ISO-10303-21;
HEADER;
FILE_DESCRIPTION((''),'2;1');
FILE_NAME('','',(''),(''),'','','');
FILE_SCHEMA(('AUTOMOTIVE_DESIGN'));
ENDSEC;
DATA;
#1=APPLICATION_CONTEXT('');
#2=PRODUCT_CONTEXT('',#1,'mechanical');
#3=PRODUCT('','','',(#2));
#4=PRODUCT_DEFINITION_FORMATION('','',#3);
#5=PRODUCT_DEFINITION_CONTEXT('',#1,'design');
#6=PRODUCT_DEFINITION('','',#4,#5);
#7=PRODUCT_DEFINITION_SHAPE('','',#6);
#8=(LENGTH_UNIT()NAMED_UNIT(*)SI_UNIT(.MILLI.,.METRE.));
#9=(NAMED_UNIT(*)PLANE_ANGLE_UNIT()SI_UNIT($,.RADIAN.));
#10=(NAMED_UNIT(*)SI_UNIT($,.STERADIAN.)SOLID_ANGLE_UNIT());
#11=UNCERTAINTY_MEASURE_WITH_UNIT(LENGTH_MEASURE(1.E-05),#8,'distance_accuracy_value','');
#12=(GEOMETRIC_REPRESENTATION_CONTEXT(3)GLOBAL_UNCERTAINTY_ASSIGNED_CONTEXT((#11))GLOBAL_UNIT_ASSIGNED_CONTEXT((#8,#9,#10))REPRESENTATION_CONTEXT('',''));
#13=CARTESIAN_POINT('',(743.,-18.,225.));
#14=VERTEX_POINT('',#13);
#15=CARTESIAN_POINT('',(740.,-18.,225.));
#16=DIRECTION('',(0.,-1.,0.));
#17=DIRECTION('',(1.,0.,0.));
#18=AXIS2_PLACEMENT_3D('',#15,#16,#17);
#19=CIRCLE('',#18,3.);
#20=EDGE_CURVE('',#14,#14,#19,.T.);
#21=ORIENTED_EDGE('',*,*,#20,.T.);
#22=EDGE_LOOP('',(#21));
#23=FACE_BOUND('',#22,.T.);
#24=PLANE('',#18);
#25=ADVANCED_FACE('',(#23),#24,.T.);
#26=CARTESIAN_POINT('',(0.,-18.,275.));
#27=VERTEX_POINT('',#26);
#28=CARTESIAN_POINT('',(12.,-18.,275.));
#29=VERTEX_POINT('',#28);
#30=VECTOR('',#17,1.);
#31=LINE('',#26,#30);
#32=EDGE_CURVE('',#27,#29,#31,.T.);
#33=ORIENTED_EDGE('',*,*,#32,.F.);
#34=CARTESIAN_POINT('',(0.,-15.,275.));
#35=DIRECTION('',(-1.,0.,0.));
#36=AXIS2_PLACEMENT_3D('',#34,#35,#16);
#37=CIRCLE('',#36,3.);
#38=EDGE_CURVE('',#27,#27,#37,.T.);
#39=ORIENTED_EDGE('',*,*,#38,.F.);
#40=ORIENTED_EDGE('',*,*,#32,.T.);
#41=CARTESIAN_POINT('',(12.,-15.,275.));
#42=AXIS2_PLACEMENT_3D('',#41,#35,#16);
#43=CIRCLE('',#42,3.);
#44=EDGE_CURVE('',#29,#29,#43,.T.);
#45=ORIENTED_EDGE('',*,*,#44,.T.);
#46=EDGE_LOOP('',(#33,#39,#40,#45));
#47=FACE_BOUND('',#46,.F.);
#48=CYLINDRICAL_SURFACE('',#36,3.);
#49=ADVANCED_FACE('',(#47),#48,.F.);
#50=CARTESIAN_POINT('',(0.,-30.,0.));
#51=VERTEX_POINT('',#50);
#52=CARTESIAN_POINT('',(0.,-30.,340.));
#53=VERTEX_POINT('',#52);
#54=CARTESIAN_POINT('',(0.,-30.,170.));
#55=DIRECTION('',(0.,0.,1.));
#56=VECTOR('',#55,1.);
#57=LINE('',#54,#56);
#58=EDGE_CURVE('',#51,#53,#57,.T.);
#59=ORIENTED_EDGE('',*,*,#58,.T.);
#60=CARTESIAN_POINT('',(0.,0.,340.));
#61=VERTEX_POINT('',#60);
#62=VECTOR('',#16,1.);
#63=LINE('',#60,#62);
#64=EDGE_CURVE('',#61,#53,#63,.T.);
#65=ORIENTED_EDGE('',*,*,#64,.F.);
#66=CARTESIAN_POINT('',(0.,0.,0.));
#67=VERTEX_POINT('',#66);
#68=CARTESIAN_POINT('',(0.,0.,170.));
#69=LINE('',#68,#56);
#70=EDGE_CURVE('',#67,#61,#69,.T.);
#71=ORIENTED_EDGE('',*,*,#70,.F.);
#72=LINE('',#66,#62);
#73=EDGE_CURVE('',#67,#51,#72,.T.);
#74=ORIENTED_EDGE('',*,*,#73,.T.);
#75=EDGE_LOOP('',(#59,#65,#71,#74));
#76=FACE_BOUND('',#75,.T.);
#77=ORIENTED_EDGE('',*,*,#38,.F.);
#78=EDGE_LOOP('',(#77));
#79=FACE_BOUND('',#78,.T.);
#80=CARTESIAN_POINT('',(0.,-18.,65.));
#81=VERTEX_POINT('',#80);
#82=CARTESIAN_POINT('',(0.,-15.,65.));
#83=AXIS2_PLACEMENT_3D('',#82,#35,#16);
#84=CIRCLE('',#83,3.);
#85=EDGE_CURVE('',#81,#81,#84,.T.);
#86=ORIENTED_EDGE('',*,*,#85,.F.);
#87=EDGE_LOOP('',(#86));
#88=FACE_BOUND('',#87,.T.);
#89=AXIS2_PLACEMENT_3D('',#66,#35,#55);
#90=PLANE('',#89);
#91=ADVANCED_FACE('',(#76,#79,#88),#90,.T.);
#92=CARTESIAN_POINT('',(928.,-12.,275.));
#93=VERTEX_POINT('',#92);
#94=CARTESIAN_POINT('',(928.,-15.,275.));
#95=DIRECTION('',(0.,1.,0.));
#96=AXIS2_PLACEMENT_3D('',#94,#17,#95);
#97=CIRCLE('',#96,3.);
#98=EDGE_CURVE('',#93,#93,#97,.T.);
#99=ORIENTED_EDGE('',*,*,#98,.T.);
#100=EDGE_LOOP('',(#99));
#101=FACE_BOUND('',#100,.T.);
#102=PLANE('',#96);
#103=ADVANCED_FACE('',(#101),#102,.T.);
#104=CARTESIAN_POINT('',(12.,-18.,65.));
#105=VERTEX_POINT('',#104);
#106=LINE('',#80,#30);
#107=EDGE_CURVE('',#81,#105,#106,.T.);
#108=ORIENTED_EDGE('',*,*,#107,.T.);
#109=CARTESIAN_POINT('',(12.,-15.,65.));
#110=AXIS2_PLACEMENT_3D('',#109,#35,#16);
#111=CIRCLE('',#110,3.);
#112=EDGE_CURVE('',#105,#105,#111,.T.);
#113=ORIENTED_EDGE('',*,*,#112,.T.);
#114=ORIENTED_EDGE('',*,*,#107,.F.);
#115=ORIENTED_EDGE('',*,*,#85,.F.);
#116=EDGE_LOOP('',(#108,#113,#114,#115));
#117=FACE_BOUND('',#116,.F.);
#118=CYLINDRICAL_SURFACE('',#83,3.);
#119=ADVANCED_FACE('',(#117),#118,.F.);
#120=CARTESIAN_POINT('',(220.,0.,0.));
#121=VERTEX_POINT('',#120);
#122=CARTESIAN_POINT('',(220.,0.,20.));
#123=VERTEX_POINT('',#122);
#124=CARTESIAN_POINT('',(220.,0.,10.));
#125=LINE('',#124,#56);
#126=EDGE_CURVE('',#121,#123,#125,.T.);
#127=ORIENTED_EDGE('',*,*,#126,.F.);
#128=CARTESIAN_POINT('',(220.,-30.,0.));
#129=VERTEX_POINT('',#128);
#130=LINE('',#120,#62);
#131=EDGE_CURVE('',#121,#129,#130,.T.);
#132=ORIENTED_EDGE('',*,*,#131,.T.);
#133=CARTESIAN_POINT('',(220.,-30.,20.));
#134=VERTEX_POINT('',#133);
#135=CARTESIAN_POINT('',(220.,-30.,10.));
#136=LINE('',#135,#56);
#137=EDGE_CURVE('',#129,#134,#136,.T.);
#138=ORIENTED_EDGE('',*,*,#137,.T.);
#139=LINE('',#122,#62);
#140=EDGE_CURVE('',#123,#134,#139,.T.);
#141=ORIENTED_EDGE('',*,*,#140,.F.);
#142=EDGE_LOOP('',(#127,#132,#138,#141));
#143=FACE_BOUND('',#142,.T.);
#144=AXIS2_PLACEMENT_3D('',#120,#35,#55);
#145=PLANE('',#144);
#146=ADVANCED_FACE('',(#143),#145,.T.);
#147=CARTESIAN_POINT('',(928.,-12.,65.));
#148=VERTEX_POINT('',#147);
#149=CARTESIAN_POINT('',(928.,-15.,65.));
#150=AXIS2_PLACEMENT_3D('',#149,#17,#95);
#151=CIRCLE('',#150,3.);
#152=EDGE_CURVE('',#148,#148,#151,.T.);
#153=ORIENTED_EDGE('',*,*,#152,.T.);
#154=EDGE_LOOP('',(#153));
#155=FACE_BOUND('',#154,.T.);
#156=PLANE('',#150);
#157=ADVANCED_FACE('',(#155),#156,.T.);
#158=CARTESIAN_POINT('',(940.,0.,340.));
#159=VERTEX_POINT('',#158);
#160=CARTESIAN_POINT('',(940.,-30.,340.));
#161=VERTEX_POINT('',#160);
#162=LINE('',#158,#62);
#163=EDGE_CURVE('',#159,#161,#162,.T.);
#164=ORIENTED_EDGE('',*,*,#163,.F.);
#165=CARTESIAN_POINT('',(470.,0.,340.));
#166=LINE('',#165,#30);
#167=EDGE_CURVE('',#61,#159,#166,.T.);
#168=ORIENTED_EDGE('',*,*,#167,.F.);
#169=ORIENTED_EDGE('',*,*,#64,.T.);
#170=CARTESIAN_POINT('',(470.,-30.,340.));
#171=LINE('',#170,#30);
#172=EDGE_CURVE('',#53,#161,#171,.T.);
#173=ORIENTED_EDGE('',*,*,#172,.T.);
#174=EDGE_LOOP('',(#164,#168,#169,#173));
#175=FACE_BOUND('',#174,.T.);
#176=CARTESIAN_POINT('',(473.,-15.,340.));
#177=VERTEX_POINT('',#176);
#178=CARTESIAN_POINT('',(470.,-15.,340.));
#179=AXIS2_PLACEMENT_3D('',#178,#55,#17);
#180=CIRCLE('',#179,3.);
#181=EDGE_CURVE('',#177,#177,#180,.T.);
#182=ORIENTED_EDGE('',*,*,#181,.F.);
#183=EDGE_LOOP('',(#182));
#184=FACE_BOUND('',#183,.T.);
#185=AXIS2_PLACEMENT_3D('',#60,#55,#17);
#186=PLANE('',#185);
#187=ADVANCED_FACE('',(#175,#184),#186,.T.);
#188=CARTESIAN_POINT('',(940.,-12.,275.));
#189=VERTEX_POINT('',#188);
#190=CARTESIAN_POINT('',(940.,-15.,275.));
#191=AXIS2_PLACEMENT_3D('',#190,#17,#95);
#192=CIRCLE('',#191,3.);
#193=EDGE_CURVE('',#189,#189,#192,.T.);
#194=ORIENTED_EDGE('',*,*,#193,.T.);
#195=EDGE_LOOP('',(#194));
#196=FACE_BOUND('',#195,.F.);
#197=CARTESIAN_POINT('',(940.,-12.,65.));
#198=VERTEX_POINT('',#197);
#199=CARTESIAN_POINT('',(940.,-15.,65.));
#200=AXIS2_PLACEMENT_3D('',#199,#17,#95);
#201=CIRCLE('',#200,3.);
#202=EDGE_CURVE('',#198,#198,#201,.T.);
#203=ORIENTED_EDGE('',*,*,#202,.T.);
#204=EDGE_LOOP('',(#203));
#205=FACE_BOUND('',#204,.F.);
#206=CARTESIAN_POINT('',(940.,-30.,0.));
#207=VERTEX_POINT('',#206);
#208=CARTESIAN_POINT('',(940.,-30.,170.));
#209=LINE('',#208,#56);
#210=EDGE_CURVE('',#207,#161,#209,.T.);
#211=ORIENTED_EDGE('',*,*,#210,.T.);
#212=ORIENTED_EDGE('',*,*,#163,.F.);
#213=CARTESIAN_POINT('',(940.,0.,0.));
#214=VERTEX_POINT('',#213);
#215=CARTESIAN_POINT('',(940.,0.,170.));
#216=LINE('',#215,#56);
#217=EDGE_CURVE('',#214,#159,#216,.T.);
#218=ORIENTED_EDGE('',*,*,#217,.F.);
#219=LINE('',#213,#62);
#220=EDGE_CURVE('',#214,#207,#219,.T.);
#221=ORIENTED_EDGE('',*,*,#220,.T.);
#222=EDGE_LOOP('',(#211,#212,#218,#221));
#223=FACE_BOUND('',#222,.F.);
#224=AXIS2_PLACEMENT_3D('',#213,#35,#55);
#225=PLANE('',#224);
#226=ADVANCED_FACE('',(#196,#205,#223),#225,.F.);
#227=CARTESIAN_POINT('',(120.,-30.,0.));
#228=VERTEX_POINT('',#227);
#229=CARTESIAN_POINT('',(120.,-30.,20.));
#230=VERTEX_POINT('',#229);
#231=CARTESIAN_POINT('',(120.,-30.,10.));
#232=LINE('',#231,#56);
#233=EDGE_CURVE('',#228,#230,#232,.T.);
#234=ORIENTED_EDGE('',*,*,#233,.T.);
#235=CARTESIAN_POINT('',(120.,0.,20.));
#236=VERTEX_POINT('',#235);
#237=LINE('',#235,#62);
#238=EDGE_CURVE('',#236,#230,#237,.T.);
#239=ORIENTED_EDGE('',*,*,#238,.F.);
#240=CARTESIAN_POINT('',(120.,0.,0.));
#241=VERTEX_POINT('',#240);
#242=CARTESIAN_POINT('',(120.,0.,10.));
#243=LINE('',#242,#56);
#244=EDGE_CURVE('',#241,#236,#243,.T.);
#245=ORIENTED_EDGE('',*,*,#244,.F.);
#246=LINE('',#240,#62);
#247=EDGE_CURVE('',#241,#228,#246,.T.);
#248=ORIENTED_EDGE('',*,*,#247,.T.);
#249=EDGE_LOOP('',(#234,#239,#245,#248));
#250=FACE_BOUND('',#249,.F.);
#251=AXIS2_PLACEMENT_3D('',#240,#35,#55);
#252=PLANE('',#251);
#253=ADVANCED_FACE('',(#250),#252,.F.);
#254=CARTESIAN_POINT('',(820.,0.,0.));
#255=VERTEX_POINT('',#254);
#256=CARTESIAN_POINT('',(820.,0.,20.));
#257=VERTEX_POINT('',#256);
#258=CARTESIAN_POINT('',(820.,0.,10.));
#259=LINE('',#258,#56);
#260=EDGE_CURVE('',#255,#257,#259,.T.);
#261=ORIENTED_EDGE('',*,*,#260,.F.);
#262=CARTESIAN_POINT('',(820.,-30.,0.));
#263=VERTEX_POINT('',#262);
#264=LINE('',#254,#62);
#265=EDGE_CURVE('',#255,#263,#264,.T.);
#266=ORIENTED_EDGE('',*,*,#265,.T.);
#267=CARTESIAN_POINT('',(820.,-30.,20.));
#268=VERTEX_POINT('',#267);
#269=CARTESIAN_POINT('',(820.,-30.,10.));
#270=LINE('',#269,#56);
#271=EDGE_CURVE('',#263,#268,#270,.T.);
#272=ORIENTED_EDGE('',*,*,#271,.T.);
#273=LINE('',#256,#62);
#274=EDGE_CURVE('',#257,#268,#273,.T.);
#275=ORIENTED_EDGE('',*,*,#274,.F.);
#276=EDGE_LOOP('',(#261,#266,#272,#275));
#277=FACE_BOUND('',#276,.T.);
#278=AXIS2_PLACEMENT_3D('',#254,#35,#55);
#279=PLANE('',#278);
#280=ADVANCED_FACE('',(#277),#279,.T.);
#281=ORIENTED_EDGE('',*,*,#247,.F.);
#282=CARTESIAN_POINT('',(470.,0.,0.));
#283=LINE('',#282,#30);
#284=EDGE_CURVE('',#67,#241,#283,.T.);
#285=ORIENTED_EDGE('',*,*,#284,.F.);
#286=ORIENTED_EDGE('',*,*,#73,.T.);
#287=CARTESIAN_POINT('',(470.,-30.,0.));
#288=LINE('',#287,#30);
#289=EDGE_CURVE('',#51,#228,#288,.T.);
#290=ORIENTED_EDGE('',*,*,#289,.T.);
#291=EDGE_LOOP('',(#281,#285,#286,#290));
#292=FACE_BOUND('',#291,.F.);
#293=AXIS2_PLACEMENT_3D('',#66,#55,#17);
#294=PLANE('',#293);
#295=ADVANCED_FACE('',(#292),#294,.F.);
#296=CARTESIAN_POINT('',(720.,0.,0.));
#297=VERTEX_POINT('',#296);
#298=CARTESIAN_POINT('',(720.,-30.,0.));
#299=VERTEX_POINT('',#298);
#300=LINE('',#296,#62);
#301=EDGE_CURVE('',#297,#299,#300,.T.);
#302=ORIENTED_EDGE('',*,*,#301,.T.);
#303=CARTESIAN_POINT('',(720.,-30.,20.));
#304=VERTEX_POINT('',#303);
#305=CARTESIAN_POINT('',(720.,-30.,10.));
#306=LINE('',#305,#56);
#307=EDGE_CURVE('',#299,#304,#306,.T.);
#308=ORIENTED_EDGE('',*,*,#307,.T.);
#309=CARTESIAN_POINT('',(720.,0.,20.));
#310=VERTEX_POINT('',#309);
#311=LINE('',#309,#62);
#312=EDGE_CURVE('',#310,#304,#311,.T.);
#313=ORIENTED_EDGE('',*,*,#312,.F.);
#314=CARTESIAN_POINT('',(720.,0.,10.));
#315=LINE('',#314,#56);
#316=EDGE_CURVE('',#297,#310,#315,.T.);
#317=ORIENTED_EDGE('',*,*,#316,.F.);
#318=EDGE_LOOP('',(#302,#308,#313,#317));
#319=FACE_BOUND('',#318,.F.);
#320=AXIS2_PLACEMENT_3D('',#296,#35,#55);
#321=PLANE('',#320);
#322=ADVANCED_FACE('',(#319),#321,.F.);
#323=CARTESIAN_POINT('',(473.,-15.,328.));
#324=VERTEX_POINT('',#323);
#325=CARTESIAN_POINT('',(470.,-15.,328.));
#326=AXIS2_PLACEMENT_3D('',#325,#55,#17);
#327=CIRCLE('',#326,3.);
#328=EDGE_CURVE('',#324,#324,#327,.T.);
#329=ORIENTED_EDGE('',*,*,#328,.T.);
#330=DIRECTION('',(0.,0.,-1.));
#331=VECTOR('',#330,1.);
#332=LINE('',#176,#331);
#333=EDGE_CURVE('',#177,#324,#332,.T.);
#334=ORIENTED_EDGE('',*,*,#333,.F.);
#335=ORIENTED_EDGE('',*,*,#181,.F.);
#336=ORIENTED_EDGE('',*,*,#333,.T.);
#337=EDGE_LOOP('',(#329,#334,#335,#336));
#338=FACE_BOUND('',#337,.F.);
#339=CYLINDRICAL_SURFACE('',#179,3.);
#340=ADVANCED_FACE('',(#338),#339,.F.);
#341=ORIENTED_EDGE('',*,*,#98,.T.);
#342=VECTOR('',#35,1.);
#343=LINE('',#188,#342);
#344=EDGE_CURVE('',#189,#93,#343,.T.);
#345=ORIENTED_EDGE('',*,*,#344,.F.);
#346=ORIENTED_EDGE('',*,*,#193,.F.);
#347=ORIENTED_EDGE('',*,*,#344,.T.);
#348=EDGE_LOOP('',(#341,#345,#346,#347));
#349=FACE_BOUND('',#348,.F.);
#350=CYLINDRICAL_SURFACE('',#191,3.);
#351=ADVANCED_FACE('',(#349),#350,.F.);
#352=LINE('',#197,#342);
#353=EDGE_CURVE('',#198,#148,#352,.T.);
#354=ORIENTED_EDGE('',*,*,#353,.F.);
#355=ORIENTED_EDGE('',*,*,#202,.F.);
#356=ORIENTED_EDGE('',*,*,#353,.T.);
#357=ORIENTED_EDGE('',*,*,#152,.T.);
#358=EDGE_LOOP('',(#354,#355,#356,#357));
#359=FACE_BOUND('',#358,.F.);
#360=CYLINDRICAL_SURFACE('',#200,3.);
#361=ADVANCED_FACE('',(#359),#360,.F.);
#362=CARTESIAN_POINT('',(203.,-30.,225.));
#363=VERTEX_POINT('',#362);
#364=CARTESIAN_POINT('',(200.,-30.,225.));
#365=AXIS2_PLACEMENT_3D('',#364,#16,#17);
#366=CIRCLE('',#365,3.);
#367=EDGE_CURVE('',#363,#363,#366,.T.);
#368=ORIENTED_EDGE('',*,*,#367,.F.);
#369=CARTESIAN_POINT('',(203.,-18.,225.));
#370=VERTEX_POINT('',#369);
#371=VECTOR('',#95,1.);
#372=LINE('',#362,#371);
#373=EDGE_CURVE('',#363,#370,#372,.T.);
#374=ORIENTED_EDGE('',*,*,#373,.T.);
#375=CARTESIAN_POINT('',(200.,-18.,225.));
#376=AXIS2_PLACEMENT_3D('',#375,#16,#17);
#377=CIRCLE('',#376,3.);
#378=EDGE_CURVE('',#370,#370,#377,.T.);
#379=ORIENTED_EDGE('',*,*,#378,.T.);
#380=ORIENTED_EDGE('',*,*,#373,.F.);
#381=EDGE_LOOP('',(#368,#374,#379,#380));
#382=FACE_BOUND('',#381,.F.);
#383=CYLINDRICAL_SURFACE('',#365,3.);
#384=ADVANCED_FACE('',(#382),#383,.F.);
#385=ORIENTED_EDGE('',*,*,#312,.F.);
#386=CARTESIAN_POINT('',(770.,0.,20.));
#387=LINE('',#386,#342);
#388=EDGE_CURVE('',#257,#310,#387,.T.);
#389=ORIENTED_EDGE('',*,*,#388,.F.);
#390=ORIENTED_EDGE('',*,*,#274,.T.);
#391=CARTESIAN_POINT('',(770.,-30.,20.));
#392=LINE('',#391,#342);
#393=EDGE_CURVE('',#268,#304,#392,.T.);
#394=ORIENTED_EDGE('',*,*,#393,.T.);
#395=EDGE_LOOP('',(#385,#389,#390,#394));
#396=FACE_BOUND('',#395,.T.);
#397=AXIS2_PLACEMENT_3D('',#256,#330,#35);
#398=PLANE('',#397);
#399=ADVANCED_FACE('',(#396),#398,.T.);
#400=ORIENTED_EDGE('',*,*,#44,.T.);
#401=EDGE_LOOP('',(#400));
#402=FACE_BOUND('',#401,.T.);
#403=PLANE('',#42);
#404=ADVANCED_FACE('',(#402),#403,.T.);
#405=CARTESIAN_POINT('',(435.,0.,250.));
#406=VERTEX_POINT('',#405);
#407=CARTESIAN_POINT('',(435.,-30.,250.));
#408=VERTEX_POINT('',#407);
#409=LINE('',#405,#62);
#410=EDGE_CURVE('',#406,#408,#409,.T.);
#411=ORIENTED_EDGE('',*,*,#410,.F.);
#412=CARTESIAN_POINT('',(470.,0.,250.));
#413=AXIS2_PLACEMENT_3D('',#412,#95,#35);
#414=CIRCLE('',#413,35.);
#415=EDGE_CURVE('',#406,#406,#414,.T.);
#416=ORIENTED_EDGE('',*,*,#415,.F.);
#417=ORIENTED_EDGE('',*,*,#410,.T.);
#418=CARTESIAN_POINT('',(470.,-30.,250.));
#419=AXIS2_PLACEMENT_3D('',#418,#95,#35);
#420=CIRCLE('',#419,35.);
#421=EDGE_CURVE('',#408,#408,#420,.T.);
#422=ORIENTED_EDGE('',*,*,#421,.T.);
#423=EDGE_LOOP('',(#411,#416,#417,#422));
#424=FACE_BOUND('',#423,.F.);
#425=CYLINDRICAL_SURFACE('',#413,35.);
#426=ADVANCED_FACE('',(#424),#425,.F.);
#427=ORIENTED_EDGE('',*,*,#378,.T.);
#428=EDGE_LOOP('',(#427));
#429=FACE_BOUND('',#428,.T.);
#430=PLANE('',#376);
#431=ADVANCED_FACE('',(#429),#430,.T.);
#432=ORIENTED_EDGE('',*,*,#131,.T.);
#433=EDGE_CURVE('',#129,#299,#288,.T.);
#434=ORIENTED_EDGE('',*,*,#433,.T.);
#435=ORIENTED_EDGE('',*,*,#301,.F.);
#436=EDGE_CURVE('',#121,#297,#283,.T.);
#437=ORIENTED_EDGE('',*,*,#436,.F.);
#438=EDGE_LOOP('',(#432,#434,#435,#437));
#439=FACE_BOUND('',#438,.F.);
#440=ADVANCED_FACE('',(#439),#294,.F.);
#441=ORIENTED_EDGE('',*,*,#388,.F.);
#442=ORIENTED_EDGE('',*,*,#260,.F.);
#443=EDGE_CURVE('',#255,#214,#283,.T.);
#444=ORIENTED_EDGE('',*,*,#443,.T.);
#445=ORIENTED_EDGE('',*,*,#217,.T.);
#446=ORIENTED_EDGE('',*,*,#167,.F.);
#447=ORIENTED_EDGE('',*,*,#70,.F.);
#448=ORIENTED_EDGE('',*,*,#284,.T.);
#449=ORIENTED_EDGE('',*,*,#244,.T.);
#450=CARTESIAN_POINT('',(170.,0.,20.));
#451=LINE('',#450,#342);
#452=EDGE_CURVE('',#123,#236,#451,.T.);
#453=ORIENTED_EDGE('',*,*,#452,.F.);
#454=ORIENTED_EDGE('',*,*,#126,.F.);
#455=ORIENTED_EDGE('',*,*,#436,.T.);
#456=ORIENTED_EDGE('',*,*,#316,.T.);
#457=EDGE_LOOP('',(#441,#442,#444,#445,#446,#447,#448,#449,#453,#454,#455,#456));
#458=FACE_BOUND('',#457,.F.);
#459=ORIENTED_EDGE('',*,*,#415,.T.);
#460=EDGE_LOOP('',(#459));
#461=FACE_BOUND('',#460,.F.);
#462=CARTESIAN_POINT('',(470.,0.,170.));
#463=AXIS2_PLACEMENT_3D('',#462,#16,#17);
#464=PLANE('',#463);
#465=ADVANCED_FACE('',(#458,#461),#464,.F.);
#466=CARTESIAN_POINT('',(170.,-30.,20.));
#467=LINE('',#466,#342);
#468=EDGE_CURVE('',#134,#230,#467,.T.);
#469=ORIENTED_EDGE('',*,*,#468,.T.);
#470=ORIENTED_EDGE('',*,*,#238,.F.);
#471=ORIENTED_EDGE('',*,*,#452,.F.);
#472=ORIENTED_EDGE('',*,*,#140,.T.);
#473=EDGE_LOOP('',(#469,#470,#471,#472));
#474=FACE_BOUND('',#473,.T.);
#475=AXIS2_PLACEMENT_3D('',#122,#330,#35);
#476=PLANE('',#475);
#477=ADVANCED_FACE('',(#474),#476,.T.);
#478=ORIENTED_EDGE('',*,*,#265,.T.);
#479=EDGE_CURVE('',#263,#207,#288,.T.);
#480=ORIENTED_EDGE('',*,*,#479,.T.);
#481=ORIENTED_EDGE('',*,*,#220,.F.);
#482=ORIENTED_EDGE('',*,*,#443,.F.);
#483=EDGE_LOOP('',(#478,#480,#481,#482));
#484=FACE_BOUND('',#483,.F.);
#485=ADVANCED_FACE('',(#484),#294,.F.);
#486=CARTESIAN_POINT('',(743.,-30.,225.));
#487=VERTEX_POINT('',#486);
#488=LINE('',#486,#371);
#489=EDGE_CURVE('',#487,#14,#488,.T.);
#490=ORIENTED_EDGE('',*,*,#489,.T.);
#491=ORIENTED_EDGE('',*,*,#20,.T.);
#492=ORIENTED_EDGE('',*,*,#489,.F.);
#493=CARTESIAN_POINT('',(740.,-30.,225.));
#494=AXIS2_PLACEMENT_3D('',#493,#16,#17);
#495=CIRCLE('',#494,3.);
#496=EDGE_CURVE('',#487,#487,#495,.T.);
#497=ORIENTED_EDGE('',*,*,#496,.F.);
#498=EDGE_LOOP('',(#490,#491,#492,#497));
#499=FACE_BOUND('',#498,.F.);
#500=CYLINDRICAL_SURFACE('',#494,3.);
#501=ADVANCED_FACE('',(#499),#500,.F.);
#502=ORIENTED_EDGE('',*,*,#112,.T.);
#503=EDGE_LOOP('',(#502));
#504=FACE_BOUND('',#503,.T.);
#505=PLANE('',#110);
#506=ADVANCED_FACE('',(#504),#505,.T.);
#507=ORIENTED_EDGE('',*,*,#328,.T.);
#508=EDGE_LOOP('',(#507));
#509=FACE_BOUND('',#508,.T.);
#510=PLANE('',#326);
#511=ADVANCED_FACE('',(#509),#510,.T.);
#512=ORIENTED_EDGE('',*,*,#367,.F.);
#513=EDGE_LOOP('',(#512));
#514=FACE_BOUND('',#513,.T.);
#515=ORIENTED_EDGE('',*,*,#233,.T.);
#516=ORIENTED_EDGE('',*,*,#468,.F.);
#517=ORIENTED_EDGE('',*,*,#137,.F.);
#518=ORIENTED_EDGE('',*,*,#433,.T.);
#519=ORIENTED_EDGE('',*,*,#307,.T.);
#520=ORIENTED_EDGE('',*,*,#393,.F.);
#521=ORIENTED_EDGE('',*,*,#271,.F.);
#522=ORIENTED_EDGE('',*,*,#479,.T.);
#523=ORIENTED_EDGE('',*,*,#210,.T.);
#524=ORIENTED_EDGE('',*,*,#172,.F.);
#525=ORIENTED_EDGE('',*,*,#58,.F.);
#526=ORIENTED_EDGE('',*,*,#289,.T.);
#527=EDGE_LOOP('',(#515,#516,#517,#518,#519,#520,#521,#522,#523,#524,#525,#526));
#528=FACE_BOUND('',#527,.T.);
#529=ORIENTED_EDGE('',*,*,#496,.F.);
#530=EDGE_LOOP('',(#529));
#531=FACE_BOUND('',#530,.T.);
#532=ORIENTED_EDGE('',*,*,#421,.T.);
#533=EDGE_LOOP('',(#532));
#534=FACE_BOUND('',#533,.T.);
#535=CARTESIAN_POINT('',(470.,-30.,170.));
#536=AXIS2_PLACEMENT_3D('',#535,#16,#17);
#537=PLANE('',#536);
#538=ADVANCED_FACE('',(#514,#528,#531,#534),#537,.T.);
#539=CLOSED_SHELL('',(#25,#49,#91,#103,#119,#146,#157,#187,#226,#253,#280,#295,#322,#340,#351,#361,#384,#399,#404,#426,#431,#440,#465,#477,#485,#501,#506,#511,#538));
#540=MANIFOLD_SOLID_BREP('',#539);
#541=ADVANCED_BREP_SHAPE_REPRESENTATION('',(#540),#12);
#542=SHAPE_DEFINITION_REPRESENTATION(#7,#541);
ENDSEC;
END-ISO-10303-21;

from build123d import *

# Parameters (mm, degrees)
F0_W      = 940
F0_H      = 340
F1_DEPTH  = 30
F2_R      = 3
F3_DEPTH  = 12
F4_W      = 100
F4_H      = 20
F5_DEPTH  = 30
F6_W      = 100
F6_H      = 20
F7_DEPTH  = 30
F8_R      = 35
F9_DEPTH  = 30
F11_R     = 3
F12_DEPTH = 12
F13_R     = 3
F14_DEPTH = 12
F15_R     = 3
F16_DEPTH = 12


with BuildPart() as f1:
    # F0 (on Front) → F1 (new body)
    with BuildSketch(Plane.XZ):
        with Locations((470, 170)):
            Rectangle(F0_W, F0_H)
    extrude(amount=F1_DEPTH)

    # F2 (on face) → F3 (cut)
    with BuildSketch(Plane.XY.offset(340)):
        with Locations((470, -15)):
            Circle(F2_R)
    extrude(amount=-F3_DEPTH, mode=Mode.SUBTRACT)

    # F4 (on face) → F5 (cut)
    with BuildSketch(Plane(origin=(0, 0, 0), x_dir=(-1, 0, 0), z_dir=(0, 1, 0))):
        with Locations((-770, 10)):
            Rectangle(F4_W, F4_H)
    extrude(amount=-F5_DEPTH, mode=Mode.SUBTRACT)

    # F6 (on face) → F7 (cut)
    with BuildSketch(Plane(origin=(0, 0, 0), x_dir=(-1, 0, 0), z_dir=(0, 1, 0))):
        with Locations((-170, 10)):
            Rectangle(F6_W, F6_H)
    extrude(amount=-F7_DEPTH, mode=Mode.SUBTRACT)

    # F8 (on face) → F9 (cut)
    with BuildSketch(Plane(origin=(0, 0, 0), x_dir=(-1, 0, 0), z_dir=(0, 1, 0))):
        with Locations((-470, 250)):
            Circle(F8_R)
    extrude(amount=-F9_DEPTH, mode=Mode.SUBTRACT)

    # F11 (on face) → F12 (cut)
    with BuildSketch(Plane.YZ.offset(940)):
        with Locations((-15, 275)):
            Circle(F11_R)
        with Locations((-15, 65)):
            Circle(F11_R)
    extrude(amount=-F12_DEPTH, mode=Mode.SUBTRACT)

    # F13 (on face) → F14 (cut)
    with BuildSketch(Plane(origin=(0, 0, 0), x_dir=(0, -1, 0), z_dir=(-1, 0, 0))):
        with Locations((15, 275)):
            Circle(F13_R)
        with Locations((15, 65)):
            Circle(F13_R)
    extrude(amount=-F14_DEPTH, mode=Mode.SUBTRACT)

    # F15 (on face) → F16 (cut)
    with BuildSketch(Plane.XZ.offset(30)):
        with Locations((740, 225)):
            Circle(F15_R)
        with Locations((200, 225)):
            Circle(F15_R)
    extrude(amount=-F16_DEPTH, mode=Mode.SUBTRACT)


solid = f1.part
